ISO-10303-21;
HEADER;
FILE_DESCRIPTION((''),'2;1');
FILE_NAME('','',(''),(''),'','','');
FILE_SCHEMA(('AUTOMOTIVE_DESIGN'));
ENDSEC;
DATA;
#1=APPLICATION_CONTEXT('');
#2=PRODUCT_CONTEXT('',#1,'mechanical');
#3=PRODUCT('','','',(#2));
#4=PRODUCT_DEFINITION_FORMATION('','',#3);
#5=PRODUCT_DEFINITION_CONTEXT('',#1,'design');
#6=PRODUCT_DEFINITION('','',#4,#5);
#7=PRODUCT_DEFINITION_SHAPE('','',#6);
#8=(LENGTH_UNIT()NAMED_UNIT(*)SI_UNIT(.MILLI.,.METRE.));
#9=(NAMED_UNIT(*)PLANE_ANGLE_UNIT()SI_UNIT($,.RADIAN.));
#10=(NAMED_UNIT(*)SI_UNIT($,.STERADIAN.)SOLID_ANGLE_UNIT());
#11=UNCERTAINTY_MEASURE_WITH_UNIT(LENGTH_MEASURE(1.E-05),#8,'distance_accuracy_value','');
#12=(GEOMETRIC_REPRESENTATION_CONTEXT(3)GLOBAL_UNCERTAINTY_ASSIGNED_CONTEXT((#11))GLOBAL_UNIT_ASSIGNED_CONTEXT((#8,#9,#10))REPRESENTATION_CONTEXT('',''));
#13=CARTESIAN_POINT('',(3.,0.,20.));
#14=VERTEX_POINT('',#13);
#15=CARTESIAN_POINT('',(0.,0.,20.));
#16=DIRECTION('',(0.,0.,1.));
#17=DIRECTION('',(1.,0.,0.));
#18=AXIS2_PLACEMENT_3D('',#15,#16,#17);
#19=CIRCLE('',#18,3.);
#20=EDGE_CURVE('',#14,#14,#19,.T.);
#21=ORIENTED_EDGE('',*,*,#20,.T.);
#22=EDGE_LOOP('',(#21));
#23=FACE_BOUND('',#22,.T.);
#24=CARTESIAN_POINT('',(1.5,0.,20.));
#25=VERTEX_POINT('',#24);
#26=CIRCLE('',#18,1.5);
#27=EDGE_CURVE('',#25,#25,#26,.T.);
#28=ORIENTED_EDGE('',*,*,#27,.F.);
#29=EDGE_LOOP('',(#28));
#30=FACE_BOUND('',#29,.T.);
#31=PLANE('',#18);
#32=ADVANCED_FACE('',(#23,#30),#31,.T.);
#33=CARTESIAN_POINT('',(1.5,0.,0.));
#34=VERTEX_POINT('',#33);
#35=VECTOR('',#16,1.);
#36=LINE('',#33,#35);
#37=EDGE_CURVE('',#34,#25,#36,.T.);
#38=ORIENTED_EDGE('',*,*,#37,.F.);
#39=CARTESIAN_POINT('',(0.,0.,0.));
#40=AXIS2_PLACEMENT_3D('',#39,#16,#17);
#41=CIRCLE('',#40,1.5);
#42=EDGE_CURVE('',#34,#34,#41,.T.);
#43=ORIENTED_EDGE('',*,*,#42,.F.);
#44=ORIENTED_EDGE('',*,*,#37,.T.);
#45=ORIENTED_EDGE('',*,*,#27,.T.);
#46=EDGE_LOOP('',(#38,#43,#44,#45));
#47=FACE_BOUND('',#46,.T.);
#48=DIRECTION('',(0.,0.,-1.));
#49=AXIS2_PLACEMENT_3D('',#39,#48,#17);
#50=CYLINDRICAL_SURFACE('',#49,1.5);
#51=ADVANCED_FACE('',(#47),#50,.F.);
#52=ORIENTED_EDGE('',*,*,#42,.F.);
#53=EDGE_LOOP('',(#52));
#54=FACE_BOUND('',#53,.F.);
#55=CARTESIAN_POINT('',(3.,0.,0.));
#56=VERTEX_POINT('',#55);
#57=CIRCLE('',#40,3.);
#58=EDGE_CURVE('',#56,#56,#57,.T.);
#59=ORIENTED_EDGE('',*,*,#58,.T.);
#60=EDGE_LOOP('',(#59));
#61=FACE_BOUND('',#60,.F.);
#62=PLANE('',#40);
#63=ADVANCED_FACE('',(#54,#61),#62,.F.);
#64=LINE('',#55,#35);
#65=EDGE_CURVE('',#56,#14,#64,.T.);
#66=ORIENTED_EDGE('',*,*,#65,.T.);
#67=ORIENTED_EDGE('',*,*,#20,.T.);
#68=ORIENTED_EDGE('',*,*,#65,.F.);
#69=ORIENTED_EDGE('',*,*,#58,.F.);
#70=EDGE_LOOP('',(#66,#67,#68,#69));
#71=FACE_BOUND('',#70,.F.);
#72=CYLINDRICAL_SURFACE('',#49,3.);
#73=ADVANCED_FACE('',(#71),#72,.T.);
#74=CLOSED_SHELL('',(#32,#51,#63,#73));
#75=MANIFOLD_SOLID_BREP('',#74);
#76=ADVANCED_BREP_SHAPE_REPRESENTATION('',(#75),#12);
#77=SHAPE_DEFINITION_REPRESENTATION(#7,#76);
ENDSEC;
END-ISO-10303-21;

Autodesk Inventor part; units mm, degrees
ref_plane "YZ Plane" through (0, 0, 0) normal (1, 0, 0) x (0, 1, 0)
ref_plane "XZ Plane" through (0, 0, 0) normal (0, 1, 0) x (-1, 0, 0)
ref_plane "XY Plane" through (0, 0, 0) normal (0, 0, 1) x (1, 0, 0)
sketch "スケッチ1" plane through (0, 0, 0) normal (0, 0, 1) x (1, 0, 0)
  circle A0 centre (0, 0) radius 3
  circle A1 centre (0, 0) radius 1.5
  dimension "d0" = 6
  dimension "d1" = 3
extrude "押し出し1" add sketch "スケッチ1" along normal blind 20
properties part number "ABSスペーサーm3-20　簡易筒型" material "ABS プラスチック"
